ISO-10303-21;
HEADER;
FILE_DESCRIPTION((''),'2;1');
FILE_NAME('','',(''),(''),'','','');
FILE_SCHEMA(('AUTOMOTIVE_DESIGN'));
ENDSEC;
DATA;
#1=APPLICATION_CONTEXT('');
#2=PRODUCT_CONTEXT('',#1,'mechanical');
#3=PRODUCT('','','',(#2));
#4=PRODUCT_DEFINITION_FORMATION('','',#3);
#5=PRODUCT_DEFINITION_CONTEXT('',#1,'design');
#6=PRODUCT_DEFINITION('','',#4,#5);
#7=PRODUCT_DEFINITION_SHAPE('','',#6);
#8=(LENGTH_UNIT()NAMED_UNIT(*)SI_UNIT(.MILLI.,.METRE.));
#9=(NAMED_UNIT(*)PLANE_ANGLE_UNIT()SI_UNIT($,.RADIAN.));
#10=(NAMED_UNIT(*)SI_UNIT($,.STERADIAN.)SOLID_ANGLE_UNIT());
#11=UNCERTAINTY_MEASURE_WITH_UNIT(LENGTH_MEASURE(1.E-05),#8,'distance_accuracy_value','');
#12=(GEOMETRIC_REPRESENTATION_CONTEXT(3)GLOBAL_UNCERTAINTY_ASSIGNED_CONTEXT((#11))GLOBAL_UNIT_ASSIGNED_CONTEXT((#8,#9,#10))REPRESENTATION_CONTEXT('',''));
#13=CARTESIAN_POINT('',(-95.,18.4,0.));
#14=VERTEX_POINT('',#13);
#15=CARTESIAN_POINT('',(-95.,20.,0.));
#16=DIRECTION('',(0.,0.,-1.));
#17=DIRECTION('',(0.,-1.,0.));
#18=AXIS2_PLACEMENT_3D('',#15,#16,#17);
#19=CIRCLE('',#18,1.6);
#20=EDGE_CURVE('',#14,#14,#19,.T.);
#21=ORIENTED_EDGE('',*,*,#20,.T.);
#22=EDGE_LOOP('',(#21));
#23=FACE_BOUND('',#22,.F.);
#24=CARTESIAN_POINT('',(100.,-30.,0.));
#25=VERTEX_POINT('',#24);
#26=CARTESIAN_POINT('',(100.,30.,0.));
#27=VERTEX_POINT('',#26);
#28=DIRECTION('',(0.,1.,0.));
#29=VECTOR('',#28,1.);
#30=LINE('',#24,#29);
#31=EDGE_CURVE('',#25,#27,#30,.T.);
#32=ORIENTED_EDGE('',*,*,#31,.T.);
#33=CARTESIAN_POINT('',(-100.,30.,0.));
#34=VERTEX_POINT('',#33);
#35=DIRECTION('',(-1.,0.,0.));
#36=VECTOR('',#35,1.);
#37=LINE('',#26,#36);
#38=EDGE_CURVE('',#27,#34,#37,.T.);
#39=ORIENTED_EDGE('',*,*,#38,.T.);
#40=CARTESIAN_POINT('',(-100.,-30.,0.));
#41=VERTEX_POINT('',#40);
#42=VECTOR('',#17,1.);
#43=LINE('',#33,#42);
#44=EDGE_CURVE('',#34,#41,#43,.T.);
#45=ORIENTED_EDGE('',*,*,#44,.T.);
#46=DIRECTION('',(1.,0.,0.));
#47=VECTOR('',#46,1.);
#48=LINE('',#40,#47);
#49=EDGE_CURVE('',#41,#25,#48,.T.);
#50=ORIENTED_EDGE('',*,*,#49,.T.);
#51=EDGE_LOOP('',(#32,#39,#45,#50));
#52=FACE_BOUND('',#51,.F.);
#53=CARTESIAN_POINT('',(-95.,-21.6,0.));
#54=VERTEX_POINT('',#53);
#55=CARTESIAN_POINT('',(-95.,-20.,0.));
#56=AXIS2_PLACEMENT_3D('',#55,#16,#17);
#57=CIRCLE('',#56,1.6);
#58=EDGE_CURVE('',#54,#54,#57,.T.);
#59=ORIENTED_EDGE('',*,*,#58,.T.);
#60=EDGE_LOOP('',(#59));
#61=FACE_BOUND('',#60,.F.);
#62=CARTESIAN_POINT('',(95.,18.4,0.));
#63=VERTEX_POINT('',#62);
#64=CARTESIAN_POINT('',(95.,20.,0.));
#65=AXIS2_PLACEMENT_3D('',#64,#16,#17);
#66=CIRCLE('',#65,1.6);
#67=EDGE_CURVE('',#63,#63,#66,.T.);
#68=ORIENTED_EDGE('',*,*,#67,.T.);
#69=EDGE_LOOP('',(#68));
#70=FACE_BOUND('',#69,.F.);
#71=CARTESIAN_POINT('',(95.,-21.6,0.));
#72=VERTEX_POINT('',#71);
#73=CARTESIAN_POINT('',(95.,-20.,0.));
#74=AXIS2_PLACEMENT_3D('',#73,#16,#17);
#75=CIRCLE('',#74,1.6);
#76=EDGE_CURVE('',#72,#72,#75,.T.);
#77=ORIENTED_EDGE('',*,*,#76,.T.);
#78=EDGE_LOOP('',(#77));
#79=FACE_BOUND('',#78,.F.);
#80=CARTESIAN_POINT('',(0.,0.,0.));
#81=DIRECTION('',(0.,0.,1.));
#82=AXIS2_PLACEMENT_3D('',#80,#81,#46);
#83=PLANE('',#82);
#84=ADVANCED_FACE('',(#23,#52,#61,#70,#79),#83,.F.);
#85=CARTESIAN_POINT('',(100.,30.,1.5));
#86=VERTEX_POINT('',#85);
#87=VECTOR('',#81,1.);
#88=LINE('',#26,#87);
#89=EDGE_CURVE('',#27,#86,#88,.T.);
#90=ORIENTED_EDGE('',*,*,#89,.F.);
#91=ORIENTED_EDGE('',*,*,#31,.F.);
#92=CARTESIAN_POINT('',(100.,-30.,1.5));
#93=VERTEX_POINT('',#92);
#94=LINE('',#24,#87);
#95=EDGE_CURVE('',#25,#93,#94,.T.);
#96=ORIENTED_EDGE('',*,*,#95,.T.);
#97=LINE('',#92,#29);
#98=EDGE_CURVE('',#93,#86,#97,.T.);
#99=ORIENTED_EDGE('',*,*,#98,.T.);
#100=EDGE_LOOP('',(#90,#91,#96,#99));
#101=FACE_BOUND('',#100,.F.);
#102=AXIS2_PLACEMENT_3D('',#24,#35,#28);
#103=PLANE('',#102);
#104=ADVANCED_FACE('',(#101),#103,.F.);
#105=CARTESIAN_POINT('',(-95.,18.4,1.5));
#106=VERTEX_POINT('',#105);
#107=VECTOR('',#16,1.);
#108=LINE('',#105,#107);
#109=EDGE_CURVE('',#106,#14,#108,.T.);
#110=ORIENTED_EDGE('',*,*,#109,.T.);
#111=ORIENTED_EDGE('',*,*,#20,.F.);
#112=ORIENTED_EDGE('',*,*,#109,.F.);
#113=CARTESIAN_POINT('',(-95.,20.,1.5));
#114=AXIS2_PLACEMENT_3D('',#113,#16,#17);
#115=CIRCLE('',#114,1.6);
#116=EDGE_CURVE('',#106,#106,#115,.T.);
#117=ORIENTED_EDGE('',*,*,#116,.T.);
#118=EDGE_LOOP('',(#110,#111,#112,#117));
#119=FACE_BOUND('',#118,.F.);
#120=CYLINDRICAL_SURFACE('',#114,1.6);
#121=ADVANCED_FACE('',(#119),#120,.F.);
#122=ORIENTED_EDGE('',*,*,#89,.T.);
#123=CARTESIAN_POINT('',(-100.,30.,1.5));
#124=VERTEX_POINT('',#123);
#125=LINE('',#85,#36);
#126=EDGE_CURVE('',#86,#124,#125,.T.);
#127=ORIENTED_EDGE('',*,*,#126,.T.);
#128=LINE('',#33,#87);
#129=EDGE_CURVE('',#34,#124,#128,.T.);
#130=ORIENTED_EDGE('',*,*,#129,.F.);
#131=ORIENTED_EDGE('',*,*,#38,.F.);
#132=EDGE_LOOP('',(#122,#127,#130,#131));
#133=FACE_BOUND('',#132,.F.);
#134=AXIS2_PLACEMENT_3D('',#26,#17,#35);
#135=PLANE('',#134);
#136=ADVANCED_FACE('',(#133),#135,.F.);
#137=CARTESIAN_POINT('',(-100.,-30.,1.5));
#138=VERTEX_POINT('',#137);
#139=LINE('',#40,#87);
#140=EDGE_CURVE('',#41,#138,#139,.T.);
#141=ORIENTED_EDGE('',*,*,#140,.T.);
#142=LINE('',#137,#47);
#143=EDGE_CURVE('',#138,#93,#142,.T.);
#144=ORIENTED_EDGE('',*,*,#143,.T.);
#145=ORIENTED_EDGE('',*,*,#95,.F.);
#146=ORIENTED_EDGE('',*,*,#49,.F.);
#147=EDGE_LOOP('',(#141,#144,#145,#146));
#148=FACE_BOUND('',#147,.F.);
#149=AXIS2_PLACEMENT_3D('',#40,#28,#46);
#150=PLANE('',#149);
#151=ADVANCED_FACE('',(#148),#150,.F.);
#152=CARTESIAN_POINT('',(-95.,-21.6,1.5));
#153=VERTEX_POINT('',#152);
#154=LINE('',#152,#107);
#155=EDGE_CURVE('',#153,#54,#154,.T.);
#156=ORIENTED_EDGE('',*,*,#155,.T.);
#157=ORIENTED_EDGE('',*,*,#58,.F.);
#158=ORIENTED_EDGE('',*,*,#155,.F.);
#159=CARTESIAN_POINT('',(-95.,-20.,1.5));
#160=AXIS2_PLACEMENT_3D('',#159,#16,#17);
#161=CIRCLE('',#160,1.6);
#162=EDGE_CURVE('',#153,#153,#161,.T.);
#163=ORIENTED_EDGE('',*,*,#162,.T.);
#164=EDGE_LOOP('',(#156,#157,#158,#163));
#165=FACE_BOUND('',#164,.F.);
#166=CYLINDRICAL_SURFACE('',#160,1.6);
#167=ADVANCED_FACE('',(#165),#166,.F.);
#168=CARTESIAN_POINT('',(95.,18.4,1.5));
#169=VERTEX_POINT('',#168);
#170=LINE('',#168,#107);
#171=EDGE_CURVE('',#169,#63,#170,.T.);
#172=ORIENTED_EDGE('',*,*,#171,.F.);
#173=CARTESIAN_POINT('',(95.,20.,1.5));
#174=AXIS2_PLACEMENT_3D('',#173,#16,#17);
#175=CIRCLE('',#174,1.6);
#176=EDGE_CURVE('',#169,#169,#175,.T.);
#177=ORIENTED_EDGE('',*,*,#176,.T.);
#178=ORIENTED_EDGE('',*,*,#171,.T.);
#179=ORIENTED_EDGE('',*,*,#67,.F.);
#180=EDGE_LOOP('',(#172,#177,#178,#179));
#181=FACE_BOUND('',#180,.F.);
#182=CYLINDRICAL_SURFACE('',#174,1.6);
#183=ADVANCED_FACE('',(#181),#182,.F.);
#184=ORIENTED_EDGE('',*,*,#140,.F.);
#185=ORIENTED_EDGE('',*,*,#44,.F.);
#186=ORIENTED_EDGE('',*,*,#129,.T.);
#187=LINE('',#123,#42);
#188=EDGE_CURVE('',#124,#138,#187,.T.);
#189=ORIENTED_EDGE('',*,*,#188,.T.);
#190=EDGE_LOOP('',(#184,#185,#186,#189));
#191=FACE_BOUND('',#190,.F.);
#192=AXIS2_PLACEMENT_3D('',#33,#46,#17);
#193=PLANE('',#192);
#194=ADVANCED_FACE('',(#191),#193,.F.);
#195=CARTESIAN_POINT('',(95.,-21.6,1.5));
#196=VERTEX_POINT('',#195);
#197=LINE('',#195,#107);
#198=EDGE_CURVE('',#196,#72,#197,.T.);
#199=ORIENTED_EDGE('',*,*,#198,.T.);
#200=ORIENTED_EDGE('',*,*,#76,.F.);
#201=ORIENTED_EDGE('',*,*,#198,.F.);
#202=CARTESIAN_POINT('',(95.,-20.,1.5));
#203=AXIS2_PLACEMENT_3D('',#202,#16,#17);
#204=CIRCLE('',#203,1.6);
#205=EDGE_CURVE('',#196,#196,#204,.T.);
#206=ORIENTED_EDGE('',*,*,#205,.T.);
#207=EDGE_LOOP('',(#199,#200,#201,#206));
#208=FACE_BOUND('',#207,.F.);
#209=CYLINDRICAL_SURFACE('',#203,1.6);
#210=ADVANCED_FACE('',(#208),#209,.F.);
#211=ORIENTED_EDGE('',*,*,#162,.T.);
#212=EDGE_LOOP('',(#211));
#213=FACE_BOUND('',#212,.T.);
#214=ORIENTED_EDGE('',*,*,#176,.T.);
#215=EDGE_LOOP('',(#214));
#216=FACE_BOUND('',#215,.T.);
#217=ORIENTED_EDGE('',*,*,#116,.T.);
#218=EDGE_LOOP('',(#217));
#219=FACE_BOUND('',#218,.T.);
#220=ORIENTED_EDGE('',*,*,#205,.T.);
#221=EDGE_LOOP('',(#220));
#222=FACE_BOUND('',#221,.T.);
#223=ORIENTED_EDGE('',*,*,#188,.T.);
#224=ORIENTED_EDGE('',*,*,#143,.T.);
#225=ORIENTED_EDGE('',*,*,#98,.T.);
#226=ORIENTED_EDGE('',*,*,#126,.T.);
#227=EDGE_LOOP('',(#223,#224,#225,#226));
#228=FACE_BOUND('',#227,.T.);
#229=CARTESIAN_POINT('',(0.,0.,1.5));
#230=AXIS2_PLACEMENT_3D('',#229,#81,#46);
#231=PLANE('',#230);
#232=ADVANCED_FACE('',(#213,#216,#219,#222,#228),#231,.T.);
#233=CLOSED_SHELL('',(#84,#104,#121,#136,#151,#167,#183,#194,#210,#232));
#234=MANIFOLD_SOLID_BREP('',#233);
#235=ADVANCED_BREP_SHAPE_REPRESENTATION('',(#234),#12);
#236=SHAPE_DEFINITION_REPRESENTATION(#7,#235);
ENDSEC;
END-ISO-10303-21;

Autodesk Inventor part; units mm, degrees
ref_plane "YZ Plane" through (0, 0, 0) normal (1, 0, 0) x (0, 1, 0)
ref_plane "XZ Plane" through (0, 0, 0) normal (0, 1, 0) x (-1, 0, 0)
ref_plane "XY Plane" through (0, 0, 0) normal (0, 0, 1) x (1, 0, 0)
sketch "スケッチ1" plane through (0, 0, 0) normal (0, 0, 1) x (1, 0, 0)
  line L0 (-100, -30) -> (100, -30)
  line L1 (100, -30) -> (100, 30)
  line L2 (100, 30) -> (-100, 30)
  line L3 (-100, 30) -> (-100, -30)
  line L4 (-100, -30) -> (100, 30) construction
  line L5 (100, -30) -> (-100, 30) construction
  point P0 (0, 0)
  dimension "d0" = 60
  dimension "d1" = 200
extrude "押し出し1" add sketch "スケッチ1" along normal blind 1.5
sketch "スケッチ2" plane through (0, 0, 1.5) normal (0, 0, 1) x (1, 0, 0)
  line L0 (-100, 30) -> (-100, -30) projected
  line L1 (100, 30) -> (-100, 30) projected
  line L2 (-100, -30) -> (100, -30) projected
  line L3 (100, -30) -> (100, 30) projected
  point P0 (0, 0)
  point P1 (-95, 20)
  point P2 (-95, -20)
  point P3 (95, 20)
  point P4 (95, -20)
  dimension "d4" = 5
  dimension "d5" = 10
  dimension "d6" = 10
  dimension "d7" = 40
  dimension "d8" = 5
  dimension "d9" = 5
hole "穴1" at (-95, 20, 1.5) at (-95, -20, 1.5) at (95, 20, 1.5) at (95, -20, 1.5) direction (0, 0, -1) diameter 3.2 depth 8.8 tip angle 118
properties part number "20220624_3階部分"
